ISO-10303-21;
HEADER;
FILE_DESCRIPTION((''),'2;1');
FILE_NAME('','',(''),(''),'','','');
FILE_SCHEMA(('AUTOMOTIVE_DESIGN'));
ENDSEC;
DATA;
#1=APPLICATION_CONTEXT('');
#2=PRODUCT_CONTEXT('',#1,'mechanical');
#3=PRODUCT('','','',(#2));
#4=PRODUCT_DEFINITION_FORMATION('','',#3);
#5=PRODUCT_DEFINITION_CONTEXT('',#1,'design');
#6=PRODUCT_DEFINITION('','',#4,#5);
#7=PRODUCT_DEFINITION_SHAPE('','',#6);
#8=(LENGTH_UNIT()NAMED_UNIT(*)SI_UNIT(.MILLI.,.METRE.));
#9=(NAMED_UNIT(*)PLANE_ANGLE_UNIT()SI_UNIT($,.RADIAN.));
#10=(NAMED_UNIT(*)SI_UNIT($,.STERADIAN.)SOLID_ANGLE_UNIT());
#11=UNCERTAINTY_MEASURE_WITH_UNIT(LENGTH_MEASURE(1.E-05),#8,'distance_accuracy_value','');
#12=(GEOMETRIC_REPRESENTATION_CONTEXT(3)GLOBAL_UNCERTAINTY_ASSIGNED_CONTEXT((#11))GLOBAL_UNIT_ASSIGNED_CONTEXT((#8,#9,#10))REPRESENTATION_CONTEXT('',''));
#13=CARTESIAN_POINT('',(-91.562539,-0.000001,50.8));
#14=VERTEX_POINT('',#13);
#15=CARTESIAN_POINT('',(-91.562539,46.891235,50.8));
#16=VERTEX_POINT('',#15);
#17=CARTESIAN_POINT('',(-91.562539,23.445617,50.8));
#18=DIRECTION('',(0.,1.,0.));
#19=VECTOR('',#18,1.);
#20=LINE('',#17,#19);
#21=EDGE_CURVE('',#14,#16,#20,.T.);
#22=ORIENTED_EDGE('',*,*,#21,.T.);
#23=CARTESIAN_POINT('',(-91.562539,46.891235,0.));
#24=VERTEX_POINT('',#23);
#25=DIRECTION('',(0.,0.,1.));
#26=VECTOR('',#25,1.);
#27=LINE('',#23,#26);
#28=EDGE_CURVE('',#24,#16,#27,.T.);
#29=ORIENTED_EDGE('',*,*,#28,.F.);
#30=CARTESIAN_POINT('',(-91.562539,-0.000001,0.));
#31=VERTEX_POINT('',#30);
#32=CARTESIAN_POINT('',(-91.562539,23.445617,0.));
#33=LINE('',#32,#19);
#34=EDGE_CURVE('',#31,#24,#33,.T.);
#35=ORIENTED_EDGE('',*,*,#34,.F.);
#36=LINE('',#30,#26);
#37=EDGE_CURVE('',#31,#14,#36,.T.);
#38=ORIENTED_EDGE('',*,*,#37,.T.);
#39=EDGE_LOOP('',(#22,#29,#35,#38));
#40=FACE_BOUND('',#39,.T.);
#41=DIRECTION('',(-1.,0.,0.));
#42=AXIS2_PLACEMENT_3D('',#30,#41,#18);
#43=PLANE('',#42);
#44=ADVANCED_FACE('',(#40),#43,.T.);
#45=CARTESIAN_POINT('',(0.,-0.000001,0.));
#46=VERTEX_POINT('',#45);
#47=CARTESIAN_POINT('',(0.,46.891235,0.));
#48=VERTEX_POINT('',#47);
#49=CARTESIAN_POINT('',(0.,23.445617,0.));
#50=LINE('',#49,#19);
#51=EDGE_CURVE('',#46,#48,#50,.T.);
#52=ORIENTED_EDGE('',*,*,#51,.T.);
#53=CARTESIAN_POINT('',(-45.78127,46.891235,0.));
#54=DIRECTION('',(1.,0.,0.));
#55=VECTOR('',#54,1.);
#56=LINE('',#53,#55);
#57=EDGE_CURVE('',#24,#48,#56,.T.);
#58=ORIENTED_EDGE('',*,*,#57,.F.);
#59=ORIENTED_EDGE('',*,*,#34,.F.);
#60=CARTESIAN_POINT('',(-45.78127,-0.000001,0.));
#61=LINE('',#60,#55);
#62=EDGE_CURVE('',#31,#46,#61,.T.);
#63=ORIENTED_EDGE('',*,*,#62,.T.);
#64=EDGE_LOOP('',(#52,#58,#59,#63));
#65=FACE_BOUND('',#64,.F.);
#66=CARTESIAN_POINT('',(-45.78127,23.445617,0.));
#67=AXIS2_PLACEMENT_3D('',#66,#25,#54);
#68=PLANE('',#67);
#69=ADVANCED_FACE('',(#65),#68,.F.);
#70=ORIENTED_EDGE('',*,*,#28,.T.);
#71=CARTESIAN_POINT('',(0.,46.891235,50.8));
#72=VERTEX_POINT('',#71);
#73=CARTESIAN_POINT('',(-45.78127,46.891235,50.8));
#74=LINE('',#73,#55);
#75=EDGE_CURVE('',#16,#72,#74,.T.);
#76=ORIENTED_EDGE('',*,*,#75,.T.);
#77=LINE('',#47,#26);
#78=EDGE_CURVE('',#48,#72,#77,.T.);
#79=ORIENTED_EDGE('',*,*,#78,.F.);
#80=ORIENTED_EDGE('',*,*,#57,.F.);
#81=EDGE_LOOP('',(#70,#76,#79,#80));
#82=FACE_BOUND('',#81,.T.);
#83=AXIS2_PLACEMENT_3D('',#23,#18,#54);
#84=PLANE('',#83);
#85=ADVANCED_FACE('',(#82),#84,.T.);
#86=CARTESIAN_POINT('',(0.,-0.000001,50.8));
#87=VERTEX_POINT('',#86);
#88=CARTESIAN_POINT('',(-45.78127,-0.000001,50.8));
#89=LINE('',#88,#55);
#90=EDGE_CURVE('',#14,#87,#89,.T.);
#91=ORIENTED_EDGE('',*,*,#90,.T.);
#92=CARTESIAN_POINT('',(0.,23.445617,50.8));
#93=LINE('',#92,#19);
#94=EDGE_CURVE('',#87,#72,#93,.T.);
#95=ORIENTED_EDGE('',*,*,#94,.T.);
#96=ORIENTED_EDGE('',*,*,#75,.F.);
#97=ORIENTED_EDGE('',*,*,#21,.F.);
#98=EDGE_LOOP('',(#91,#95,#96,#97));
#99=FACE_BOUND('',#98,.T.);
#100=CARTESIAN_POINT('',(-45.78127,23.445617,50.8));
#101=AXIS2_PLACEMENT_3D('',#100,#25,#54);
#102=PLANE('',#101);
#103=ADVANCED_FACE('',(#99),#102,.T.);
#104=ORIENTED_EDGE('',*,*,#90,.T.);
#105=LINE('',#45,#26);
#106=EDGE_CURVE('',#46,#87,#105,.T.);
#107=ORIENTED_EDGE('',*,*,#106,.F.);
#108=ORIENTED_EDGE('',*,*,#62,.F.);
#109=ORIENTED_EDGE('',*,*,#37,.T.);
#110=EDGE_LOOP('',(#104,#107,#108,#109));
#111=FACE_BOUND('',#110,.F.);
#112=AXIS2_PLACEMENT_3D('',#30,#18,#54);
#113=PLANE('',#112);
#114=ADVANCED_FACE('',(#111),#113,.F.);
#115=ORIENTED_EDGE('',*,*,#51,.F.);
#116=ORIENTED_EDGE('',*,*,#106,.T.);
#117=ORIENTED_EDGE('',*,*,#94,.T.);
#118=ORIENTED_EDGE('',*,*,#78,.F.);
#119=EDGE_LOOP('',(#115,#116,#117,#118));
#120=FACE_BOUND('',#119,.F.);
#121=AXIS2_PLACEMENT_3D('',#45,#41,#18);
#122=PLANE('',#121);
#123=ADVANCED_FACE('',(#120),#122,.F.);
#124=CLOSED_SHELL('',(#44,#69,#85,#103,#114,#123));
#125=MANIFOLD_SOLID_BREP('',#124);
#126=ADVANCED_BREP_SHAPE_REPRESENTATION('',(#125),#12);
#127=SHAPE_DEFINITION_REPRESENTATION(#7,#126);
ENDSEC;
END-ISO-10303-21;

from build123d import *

# Parameters (mm, degrees)
F1_W     = 91.562539
F1_H     = 46.891235
F2_DEPTH = 50.8


with BuildPart() as f2:
    # F1 (on face) → F2 (new body)
    with BuildSketch(Plane.XY):
        with Locations((-45.78127, 23.445617)):
            Rectangle(F1_W, F1_H)
    extrude(amount=F2_DEPTH)


solid = f2.part
